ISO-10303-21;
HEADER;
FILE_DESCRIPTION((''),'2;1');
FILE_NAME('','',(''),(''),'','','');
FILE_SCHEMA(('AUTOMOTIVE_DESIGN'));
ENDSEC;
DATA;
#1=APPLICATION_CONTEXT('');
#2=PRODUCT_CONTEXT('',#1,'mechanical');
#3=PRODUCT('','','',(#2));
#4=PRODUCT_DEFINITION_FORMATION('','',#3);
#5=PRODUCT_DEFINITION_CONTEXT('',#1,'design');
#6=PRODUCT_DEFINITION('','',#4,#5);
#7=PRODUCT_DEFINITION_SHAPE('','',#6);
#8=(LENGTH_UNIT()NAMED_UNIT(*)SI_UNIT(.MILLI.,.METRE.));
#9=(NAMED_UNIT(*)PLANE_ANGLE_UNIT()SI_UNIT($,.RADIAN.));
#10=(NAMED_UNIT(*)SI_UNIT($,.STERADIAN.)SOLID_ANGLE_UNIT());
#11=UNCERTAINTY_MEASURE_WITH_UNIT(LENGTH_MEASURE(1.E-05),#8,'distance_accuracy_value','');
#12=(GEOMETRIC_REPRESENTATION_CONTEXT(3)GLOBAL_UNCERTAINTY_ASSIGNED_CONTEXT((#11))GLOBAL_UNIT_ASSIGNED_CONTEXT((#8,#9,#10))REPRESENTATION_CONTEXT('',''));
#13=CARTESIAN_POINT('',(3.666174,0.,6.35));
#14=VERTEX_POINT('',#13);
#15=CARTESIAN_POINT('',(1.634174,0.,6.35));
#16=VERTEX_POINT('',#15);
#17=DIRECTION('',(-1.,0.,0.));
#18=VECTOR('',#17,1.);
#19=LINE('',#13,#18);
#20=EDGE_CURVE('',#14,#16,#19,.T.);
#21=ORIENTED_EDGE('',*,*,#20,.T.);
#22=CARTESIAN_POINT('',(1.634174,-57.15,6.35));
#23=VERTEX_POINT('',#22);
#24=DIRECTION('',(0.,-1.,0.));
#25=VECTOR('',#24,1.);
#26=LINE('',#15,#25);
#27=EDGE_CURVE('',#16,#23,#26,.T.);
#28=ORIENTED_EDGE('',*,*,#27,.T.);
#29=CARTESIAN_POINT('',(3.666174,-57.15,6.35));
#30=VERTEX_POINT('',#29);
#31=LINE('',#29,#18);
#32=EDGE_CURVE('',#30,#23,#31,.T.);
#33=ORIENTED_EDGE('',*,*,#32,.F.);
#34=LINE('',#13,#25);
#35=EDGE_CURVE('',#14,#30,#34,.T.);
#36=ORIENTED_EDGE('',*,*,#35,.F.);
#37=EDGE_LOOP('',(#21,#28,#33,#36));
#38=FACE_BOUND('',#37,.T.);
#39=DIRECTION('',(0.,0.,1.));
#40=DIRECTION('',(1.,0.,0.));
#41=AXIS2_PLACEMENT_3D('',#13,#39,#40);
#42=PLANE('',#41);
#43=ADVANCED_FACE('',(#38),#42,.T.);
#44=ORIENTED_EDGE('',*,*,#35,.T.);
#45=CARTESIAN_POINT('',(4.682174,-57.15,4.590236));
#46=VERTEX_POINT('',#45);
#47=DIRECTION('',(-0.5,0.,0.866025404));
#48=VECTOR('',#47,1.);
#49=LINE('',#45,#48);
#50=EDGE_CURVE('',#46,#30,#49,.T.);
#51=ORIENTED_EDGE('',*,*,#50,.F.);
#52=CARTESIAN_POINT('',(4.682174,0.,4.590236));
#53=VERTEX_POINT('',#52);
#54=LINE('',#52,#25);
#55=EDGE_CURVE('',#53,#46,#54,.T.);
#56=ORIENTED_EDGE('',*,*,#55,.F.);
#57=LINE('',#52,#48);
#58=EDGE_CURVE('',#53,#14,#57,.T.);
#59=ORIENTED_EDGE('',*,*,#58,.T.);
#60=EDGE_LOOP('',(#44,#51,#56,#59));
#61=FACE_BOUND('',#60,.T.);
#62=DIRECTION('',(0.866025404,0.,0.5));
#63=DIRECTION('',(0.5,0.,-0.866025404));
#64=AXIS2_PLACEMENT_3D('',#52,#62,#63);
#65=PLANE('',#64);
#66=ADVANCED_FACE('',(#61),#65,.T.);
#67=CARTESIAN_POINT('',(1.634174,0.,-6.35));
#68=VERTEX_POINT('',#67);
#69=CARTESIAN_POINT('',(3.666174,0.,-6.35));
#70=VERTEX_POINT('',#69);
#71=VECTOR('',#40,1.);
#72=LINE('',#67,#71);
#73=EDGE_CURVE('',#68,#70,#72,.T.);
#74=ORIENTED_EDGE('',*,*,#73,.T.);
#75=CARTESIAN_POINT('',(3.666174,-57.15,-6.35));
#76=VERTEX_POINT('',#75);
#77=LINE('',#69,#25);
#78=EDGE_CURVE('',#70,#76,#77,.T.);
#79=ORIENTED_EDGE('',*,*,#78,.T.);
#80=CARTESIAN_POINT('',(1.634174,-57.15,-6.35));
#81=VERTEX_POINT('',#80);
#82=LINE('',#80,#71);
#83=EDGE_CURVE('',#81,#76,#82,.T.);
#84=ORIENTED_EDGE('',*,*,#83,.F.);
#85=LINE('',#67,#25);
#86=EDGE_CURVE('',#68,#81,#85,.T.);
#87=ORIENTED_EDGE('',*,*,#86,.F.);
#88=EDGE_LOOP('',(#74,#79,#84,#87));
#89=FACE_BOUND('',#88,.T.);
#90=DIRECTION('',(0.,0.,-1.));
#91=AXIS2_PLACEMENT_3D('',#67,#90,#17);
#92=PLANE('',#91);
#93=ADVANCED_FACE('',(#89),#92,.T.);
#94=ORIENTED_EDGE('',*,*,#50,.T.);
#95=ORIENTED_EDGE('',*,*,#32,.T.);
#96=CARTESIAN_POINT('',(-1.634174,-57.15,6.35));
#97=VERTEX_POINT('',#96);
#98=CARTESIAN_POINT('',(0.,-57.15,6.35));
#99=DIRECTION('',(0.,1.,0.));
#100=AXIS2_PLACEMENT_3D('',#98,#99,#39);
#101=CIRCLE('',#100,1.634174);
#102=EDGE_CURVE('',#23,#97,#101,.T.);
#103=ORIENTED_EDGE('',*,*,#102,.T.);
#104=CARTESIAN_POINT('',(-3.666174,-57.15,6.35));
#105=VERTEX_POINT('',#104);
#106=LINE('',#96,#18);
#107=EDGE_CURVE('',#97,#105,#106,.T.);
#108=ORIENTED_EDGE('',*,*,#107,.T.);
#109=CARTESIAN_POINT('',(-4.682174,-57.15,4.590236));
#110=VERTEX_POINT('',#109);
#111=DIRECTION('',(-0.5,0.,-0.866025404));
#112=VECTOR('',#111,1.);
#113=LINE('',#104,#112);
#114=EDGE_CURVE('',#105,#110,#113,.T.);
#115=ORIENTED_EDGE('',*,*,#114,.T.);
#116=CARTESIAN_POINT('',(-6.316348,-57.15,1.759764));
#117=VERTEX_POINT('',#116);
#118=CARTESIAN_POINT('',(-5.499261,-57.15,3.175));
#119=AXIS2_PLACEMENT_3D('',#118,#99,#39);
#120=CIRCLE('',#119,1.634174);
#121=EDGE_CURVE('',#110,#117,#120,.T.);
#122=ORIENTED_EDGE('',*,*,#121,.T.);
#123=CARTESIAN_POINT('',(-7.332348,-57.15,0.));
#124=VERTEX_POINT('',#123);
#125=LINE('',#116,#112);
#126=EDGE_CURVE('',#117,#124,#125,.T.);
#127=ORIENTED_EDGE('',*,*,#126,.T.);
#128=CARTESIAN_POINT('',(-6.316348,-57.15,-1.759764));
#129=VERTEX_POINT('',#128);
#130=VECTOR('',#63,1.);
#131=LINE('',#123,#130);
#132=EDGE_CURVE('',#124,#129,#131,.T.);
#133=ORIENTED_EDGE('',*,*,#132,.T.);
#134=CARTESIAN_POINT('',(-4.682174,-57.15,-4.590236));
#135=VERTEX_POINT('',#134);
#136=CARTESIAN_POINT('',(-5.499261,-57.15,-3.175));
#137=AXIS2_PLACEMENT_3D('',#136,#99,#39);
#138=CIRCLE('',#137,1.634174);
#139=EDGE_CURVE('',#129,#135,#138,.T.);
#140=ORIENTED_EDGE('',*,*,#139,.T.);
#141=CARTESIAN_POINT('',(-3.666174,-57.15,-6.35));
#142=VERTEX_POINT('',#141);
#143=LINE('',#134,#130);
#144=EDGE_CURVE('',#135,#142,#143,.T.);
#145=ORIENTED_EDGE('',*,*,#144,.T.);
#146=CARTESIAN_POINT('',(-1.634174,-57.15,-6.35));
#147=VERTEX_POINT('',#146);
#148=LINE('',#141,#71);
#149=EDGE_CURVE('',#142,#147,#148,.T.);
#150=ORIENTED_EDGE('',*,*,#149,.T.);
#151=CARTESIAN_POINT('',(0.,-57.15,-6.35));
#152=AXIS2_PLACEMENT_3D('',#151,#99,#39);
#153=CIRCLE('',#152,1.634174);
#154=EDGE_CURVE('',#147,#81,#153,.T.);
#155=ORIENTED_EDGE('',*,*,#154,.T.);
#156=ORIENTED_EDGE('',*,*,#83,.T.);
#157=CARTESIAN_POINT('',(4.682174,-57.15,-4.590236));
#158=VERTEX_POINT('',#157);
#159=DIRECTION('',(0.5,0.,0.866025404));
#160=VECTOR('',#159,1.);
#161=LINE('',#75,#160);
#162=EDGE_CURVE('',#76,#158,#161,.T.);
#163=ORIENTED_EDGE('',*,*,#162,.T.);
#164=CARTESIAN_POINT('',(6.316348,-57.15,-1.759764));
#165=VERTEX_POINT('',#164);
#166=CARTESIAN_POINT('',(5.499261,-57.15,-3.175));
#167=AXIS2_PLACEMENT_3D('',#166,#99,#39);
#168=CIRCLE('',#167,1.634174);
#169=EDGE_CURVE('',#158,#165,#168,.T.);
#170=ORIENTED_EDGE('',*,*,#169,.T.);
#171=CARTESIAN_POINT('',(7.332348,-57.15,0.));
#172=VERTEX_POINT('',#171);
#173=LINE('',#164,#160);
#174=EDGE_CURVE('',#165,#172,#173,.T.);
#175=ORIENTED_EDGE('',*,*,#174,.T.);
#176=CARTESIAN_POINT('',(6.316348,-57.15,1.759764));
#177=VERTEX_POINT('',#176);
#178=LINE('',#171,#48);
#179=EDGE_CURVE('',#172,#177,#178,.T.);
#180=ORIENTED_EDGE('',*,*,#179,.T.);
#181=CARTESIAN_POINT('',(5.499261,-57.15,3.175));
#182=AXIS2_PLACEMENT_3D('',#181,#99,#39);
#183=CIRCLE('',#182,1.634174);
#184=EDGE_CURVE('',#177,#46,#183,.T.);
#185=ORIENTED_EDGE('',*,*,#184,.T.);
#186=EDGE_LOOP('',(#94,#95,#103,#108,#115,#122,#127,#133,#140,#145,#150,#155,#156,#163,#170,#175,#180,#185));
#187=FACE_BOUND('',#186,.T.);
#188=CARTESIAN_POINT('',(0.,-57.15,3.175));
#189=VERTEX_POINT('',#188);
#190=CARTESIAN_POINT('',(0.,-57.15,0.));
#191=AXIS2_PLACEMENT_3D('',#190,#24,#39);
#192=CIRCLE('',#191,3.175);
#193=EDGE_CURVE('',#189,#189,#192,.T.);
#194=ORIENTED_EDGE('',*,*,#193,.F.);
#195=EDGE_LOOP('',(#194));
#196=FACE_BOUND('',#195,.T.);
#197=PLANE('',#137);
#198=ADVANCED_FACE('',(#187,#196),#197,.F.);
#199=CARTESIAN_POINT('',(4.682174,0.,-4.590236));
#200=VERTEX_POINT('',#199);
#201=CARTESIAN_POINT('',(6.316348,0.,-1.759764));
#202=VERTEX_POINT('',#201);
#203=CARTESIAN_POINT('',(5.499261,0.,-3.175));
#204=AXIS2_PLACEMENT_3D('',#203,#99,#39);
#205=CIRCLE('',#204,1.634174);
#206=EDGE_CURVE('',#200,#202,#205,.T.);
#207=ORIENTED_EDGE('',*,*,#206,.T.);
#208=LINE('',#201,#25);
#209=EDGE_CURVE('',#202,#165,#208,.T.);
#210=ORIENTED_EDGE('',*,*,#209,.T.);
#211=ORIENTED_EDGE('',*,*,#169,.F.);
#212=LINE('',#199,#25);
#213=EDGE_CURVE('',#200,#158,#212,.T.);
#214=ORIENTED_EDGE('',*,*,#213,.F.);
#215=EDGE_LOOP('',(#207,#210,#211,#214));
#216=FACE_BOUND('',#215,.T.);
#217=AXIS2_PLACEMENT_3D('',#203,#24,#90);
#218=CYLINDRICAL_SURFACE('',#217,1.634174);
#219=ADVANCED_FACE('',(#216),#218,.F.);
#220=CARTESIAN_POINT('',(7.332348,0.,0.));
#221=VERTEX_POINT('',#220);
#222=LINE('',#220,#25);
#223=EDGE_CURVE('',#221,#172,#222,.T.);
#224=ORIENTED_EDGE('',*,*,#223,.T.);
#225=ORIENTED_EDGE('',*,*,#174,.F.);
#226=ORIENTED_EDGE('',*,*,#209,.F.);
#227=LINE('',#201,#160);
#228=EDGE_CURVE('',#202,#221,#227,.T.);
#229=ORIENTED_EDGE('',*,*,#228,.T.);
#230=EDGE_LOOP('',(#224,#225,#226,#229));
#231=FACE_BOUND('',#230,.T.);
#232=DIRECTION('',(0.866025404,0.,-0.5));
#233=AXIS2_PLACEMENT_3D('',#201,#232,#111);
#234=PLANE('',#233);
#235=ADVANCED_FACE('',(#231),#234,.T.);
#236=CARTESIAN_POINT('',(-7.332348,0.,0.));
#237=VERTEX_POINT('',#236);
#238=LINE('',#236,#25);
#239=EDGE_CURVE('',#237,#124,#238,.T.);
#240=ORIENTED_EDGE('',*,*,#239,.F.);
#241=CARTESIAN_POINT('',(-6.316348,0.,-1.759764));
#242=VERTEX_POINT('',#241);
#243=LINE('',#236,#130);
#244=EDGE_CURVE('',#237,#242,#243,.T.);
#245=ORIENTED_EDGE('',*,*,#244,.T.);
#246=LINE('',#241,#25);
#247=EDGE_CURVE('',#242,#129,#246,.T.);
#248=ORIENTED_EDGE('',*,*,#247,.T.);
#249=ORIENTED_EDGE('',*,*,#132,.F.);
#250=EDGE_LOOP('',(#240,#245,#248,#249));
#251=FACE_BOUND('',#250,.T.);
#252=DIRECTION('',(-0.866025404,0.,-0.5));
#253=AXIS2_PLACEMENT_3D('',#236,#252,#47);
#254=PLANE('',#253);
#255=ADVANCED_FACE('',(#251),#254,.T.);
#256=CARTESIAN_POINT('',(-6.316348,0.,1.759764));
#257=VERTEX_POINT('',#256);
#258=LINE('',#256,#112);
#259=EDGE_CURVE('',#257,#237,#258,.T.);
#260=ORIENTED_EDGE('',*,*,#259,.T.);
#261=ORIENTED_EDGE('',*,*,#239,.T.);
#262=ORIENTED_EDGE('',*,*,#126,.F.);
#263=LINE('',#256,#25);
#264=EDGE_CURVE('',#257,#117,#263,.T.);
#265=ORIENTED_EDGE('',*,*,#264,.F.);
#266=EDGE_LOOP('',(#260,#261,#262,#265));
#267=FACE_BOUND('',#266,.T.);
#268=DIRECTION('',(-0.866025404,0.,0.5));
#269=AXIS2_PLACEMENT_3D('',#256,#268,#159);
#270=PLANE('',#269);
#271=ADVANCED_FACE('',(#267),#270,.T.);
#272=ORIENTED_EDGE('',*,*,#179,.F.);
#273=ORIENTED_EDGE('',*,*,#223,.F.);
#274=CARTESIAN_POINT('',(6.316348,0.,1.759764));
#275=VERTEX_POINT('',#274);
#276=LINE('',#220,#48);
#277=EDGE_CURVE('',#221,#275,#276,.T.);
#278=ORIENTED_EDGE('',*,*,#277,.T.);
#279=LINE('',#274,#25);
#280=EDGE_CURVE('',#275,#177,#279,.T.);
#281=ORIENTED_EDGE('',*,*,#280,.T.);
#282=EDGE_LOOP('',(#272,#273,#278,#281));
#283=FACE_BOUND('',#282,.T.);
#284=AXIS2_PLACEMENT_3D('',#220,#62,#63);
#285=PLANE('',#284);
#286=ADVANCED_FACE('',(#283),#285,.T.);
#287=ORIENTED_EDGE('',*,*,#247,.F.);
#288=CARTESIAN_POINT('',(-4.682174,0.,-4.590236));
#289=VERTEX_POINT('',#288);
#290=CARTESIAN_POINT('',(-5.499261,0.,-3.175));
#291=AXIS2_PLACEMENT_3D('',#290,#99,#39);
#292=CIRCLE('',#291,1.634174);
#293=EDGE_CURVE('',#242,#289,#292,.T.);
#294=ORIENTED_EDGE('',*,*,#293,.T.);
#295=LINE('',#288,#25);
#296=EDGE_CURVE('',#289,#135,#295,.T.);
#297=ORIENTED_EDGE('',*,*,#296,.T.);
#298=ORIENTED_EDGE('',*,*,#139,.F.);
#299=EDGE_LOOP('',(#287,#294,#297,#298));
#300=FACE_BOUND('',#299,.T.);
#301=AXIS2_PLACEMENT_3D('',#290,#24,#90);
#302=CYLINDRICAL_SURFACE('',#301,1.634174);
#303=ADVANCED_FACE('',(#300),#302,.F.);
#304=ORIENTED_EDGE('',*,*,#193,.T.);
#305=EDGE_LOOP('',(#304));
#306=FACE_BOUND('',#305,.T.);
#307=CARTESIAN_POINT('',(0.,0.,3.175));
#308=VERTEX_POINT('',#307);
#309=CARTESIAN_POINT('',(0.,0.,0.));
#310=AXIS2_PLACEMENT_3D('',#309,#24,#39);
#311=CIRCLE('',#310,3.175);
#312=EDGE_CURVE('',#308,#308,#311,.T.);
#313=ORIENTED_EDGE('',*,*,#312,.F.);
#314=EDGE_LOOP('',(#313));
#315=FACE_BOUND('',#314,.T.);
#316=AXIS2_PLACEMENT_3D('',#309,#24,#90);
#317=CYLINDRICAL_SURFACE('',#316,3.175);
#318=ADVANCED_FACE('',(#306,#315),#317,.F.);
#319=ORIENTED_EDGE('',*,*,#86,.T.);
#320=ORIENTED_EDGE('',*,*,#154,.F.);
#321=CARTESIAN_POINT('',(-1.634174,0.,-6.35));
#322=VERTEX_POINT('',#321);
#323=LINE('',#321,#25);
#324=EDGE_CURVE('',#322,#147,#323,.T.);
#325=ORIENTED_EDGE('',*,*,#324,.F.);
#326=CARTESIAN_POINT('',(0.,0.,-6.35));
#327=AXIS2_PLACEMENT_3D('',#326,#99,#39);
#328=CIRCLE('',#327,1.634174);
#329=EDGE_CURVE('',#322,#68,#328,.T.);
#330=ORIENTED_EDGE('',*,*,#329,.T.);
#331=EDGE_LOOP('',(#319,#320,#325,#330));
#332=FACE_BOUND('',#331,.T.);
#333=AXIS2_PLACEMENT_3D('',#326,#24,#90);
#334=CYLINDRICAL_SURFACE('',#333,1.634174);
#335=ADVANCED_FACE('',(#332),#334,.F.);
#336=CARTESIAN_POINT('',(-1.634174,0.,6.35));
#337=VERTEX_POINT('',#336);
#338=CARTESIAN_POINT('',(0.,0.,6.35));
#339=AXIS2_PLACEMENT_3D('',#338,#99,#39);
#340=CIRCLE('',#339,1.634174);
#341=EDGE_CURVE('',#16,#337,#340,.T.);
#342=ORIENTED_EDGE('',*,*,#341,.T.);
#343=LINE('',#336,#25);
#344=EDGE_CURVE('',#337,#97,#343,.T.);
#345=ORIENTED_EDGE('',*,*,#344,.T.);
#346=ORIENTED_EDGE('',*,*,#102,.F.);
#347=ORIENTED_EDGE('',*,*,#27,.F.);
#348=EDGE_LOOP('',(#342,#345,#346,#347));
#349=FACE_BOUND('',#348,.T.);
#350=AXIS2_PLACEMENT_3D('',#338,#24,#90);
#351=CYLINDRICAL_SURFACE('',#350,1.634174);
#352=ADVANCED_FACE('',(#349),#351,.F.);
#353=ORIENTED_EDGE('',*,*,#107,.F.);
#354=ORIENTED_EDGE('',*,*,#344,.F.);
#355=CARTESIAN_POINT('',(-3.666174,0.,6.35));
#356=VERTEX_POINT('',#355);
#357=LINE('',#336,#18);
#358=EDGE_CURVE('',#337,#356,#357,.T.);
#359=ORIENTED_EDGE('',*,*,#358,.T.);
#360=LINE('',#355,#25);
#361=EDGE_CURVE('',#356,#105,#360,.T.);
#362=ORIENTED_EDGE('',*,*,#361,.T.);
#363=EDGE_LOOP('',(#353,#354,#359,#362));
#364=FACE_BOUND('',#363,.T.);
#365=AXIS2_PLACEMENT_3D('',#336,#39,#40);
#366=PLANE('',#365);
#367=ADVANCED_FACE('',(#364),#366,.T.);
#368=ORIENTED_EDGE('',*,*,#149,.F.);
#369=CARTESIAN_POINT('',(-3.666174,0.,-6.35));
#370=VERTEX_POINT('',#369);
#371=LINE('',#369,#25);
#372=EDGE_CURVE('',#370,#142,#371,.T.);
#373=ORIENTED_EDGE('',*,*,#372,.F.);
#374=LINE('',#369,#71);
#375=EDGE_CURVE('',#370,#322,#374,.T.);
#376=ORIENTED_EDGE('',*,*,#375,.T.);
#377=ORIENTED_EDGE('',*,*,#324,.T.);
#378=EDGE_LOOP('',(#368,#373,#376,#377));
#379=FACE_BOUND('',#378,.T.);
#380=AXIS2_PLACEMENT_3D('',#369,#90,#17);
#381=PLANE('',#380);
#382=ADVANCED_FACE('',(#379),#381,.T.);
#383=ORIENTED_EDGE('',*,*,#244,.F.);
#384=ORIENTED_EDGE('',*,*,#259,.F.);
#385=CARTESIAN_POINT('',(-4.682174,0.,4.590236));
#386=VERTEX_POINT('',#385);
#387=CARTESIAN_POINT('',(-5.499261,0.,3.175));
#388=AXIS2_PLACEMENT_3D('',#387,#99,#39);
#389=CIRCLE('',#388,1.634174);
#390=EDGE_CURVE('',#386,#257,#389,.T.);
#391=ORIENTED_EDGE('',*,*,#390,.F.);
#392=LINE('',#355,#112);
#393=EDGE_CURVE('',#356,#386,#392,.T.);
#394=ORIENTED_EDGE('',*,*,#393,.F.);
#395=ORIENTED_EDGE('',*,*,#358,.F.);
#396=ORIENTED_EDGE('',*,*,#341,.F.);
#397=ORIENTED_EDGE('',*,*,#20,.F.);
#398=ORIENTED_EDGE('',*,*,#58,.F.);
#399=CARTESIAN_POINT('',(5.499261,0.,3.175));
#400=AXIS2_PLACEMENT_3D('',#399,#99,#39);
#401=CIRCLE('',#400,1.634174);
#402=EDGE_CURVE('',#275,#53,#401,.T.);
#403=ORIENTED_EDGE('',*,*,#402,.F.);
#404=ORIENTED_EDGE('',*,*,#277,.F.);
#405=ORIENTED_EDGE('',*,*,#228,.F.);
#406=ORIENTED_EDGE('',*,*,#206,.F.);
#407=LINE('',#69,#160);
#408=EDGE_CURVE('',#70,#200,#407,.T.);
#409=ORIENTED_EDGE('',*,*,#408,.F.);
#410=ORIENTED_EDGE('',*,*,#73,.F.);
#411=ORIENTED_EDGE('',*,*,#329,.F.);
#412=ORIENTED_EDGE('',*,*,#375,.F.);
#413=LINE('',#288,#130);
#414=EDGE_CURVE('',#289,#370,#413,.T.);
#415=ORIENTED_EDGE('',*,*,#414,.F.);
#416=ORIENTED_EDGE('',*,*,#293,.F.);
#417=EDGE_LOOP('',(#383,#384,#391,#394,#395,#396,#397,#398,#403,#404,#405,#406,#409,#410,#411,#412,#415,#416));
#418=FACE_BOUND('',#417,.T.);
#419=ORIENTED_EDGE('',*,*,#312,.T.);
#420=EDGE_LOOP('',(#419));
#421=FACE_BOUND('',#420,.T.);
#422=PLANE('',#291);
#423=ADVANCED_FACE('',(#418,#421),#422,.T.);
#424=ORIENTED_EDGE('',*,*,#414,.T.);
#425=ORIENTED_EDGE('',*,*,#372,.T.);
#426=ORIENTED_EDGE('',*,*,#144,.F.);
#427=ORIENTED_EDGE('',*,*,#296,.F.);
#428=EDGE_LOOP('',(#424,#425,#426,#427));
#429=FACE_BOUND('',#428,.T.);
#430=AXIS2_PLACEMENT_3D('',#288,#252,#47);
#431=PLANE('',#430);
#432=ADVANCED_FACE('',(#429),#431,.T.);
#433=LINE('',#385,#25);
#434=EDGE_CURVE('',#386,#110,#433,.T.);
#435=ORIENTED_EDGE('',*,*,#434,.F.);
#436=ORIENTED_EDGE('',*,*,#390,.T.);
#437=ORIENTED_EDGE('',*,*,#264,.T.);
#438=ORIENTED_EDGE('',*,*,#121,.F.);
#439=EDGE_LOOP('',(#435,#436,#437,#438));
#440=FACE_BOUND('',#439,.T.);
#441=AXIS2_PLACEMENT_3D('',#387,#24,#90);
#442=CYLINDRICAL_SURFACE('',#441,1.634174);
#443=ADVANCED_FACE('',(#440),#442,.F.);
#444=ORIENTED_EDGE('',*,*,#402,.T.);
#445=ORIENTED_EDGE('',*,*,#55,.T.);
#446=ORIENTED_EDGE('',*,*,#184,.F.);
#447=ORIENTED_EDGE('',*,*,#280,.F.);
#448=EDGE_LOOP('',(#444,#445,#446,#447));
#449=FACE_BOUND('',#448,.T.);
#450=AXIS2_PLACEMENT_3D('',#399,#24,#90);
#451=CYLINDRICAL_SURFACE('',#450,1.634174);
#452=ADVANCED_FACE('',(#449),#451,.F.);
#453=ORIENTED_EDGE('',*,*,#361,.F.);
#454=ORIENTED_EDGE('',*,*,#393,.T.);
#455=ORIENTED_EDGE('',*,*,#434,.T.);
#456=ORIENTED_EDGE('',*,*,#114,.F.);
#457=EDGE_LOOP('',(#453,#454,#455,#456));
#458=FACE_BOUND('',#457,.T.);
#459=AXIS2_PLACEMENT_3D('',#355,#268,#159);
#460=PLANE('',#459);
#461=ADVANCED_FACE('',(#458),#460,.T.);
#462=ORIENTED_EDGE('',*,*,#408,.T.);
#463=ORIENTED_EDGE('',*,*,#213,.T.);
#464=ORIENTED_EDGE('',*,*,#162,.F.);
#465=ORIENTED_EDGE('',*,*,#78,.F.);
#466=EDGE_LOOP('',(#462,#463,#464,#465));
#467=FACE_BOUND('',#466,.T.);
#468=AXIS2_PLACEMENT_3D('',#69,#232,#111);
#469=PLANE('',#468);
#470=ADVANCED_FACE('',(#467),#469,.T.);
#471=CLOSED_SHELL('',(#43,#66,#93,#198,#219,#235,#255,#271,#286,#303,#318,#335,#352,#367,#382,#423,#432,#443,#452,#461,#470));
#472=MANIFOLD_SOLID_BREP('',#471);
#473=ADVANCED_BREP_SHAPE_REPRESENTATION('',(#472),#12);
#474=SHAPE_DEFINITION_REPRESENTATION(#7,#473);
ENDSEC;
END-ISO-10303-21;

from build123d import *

# Parameters (mm, degrees)
SKETCH1_R           = 3.175
BOSS_EXTRUDE1_DEPTH = 57.15


with BuildPart() as part:
    # Sketch1 → Boss-Extrude1 (new body)
    with BuildSketch(Plane.XZ.offset(57.15)):
        with BuildLine():
            Line((-4.682174209, -4.59023638), (-3.666174209, -6.35))
            Line((-3.666174209, -6.35), (-1.634174209, -6.35))
            ThreePointArc((-1.634174209, -6.35), (0, -4.715825791), (1.634174209, -6.35))
            Line((1.634174209, -6.35), (3.666174209, -6.35))
            Line((3.666174209, -6.35), (4.682174209, -4.59023638))
            ThreePointArc((4.682174209, -4.59023638), (4.084024935, -2.357912895), (6.316348419, -1.75976362))
            Line((6.316348419, -1.75976362), (7.332348419, 0))
            Line((7.332348419, 0), (6.316348419, 1.75976362))
            ThreePointArc((6.316348419, 1.75976362), (4.084024935, 2.357912895), (4.682174209, 4.59023638))
            Line((4.682174209, 4.59023638), (3.666174209, 6.35))
            Line((3.666174209, 6.35), (1.634174209, 6.35))
            ThreePointArc((1.634174209, 6.35), (0, 4.715825791), (-1.634174209, 6.35))
            Line((-1.634174209, 6.35), (-3.666174209, 6.35))
            Line((-3.666174209, 6.35), (-4.682174209, 4.59023638))
            ThreePointArc((-4.682174209, 4.59023638), (-4.084024935, 2.357912895), (-6.316348419, 1.75976362))
            Line((-6.316348419, 1.75976362), (-7.332348419, 0))
            Line((-7.332348419, 0), (-6.316348419, -1.75976362))
            ThreePointArc((-6.316348419, -1.75976362), (-4.084024935, -2.357912895), (-4.682174209, -4.59023638))
        make_face()
        Circle(SKETCH1_R, mode=Mode.SUBTRACT)
    extrude(amount=-BOSS_EXTRUDE1_DEPTH)


solid = part.part
